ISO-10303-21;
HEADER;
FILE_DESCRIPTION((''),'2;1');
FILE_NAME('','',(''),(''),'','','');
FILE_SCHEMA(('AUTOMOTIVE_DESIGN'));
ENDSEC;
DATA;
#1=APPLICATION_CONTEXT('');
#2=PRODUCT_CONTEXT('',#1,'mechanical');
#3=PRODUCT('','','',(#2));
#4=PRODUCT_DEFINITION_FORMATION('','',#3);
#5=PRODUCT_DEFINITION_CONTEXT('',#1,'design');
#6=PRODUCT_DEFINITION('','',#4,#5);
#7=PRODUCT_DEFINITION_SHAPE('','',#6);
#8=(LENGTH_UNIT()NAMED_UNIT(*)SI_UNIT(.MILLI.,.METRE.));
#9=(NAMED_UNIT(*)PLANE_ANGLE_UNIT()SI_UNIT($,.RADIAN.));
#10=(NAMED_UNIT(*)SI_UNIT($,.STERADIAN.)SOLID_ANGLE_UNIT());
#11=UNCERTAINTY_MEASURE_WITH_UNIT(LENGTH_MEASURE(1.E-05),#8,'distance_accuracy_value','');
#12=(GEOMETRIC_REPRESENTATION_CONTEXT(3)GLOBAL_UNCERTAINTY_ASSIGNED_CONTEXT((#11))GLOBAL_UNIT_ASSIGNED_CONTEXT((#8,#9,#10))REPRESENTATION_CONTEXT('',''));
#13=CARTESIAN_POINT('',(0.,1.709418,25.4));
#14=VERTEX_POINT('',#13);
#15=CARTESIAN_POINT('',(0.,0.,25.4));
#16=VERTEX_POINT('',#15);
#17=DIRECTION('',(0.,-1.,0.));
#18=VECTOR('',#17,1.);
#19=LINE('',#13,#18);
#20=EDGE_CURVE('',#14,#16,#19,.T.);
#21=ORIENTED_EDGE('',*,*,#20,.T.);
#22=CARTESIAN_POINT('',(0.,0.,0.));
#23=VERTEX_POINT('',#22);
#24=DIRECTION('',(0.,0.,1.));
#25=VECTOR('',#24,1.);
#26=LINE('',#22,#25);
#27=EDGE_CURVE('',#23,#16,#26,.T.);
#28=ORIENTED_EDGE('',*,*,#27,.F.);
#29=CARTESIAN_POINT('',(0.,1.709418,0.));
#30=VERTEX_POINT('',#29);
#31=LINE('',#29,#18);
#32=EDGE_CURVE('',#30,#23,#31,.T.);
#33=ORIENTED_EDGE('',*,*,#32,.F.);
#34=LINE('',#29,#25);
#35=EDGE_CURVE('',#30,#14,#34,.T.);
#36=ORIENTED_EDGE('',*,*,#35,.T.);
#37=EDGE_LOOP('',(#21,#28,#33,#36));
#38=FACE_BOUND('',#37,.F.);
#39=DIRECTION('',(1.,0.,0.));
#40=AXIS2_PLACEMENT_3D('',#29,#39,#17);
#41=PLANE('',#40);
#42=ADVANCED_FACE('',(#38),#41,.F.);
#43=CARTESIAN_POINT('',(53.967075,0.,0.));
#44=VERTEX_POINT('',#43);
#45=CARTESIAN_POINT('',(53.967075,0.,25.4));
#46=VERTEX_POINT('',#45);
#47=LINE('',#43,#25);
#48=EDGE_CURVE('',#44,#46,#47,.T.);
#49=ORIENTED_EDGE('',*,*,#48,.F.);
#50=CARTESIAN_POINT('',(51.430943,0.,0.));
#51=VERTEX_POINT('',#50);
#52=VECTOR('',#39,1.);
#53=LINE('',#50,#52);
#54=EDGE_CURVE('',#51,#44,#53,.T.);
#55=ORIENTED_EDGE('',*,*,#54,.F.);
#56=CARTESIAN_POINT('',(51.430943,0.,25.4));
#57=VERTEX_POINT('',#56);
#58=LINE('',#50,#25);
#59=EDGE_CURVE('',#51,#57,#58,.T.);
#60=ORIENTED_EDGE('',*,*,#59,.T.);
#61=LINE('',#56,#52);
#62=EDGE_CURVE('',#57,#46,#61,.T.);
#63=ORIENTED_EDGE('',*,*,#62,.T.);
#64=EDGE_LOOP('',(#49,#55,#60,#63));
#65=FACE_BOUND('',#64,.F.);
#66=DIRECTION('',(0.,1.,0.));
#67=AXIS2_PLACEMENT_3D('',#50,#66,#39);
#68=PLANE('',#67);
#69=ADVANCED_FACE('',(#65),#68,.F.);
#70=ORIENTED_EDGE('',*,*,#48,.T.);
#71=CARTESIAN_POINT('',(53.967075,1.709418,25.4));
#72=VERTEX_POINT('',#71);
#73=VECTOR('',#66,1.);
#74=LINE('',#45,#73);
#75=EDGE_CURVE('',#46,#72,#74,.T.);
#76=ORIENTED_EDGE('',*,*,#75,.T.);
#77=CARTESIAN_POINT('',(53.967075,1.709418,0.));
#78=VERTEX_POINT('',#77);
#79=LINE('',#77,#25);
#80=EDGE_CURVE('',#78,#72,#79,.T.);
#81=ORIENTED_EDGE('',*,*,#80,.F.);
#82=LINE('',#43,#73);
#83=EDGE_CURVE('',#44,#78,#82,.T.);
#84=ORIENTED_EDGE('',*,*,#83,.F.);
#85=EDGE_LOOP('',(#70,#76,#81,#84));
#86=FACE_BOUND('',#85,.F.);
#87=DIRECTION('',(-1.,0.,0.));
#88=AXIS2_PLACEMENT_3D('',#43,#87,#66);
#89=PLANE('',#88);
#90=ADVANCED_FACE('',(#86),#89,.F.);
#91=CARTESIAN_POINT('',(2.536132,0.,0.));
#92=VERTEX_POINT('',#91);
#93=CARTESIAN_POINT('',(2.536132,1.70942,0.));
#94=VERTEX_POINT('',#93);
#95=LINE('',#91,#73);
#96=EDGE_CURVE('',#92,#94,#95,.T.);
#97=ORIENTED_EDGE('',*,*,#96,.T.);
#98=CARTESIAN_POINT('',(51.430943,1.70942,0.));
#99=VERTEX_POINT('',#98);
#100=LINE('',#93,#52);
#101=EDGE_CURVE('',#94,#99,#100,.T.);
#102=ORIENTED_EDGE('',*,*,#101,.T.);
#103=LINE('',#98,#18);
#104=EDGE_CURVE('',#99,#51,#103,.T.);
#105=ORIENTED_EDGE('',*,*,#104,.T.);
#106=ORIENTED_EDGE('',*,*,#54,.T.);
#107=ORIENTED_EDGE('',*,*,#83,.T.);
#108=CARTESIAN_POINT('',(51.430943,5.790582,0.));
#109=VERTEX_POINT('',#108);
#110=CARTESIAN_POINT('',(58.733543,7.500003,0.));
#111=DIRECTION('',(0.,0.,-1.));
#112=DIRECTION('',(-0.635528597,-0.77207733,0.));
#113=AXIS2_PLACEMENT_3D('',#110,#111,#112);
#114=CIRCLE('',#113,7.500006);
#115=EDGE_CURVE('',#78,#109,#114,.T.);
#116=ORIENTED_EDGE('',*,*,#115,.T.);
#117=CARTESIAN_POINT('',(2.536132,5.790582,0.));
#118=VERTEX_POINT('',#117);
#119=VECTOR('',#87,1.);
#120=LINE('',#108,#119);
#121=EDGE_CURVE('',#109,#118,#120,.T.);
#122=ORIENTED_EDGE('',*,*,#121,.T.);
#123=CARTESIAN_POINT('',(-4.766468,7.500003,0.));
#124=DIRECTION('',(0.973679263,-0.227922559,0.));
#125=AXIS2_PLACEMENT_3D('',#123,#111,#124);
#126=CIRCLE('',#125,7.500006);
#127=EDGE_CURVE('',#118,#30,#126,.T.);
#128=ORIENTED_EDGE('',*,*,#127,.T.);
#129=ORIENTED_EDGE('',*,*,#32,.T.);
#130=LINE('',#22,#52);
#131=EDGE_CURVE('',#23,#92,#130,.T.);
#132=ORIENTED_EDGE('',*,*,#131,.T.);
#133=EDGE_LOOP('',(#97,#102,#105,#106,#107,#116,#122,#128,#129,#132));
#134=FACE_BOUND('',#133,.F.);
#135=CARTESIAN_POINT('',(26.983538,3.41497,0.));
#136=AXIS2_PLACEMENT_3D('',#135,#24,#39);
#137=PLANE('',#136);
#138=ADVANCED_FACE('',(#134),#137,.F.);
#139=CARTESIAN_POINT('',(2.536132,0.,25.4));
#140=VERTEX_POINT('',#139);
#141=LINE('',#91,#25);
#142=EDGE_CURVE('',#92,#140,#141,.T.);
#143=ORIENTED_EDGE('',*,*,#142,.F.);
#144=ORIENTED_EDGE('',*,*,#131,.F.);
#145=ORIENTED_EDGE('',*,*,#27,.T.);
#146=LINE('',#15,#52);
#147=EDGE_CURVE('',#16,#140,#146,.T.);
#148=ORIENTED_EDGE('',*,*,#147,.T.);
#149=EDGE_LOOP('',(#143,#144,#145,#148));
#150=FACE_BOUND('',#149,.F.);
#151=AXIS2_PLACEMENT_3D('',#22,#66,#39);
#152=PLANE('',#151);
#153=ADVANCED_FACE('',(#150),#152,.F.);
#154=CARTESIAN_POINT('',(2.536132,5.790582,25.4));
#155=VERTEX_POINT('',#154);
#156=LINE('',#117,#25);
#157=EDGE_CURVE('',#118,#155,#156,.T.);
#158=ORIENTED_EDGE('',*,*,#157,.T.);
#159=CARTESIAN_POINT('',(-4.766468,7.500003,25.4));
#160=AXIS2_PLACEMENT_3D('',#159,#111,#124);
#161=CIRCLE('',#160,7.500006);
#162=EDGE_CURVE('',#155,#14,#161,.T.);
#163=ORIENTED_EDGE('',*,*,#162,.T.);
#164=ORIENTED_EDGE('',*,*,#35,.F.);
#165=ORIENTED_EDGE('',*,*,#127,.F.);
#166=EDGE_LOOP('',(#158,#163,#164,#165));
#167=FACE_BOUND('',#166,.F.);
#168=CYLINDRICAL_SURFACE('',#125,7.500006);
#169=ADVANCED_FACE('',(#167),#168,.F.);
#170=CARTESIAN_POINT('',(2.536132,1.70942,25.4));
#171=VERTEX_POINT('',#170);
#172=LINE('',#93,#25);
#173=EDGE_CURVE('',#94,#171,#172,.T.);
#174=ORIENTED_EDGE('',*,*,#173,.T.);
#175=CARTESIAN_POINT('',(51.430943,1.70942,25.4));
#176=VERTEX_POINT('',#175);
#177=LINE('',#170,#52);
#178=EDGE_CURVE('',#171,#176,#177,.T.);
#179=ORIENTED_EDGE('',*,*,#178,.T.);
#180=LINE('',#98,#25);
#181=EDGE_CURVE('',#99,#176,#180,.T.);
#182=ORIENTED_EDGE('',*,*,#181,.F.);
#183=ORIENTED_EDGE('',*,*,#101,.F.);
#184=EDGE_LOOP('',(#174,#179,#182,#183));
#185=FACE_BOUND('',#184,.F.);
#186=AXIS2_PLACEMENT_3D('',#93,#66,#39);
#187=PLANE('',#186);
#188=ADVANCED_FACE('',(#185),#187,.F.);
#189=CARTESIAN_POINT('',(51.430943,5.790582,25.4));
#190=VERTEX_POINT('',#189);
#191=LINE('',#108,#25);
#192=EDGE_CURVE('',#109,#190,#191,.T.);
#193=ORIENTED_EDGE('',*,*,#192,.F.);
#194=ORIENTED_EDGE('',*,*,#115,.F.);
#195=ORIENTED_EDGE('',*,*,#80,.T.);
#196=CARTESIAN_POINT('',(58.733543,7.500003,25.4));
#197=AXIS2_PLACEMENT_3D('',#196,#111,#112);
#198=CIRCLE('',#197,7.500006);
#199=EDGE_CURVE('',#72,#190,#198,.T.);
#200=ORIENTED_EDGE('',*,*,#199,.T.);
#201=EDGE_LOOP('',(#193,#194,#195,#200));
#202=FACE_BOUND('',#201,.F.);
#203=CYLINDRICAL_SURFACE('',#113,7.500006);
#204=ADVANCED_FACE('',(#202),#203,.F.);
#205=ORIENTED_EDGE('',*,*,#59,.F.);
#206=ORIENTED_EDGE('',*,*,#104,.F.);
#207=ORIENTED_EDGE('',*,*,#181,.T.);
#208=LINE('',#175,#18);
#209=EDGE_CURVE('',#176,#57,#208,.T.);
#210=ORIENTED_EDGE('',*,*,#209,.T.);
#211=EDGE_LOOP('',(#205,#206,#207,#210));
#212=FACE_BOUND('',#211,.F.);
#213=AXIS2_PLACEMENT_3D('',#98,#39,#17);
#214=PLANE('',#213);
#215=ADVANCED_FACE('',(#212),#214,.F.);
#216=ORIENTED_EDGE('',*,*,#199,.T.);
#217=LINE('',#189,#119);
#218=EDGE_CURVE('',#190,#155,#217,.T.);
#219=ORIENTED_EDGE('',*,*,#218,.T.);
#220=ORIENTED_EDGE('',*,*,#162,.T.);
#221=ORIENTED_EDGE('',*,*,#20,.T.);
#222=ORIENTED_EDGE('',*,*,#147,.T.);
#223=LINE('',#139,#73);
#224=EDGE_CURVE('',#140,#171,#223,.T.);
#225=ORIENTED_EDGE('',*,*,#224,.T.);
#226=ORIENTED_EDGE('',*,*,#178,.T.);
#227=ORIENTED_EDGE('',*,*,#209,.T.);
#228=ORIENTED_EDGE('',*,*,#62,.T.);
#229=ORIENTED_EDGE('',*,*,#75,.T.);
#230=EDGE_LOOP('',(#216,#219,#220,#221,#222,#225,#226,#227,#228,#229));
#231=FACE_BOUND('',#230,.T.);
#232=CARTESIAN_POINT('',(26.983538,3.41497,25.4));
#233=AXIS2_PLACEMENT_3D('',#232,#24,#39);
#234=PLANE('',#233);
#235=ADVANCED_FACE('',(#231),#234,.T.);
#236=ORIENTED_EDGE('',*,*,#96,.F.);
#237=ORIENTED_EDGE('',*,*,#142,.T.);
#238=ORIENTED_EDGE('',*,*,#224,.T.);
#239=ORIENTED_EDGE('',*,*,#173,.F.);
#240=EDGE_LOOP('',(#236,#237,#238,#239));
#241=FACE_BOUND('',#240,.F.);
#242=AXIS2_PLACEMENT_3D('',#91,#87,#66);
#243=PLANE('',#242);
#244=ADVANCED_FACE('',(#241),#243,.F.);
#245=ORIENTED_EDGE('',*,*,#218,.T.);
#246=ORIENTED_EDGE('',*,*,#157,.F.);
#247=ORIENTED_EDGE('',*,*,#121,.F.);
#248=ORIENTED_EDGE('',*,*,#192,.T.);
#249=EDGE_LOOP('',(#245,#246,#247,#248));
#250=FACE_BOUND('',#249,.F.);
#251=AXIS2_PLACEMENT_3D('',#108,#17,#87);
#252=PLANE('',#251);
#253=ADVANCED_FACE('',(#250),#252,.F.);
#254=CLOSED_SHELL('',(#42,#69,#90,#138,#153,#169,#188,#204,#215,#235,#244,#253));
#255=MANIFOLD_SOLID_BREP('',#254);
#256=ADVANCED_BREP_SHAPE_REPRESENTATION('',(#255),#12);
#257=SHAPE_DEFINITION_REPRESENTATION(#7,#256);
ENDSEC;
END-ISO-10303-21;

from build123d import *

# Parameters (mm, degrees)
F1_DEPTH = 25.4


with BuildPart() as f1:
    # F0 (on Top) → F1 (new body)
    with BuildSketch(Plane.XY):
        with BuildLine():
            Line((0, 1.709418), (0, 0))
            Line((0, 0), (2.536132, 0))
            Line((2.536132, 0), (2.536132, 1.70942))
            Line((2.536132, 1.70942), (51.430943, 1.70942))
            Line((51.430943, 1.70942), (51.430943, 0))
            Line((51.430943, 0), (53.967075, 0))
            Line((53.967075, 0), (53.967075, 1.709418))
            ThreePointArc((53.967075, 1.709418), (52.363333, 3.541403), (51.430943, 5.790582))
            Line((51.430943, 5.790582), (2.536132, 5.790582))
            ThreePointArc((2.536132, 5.790582), (1.603742, 3.541403), (0, 1.709418))
        make_face()
    extrude(amount=F1_DEPTH)


solid = f1.part
